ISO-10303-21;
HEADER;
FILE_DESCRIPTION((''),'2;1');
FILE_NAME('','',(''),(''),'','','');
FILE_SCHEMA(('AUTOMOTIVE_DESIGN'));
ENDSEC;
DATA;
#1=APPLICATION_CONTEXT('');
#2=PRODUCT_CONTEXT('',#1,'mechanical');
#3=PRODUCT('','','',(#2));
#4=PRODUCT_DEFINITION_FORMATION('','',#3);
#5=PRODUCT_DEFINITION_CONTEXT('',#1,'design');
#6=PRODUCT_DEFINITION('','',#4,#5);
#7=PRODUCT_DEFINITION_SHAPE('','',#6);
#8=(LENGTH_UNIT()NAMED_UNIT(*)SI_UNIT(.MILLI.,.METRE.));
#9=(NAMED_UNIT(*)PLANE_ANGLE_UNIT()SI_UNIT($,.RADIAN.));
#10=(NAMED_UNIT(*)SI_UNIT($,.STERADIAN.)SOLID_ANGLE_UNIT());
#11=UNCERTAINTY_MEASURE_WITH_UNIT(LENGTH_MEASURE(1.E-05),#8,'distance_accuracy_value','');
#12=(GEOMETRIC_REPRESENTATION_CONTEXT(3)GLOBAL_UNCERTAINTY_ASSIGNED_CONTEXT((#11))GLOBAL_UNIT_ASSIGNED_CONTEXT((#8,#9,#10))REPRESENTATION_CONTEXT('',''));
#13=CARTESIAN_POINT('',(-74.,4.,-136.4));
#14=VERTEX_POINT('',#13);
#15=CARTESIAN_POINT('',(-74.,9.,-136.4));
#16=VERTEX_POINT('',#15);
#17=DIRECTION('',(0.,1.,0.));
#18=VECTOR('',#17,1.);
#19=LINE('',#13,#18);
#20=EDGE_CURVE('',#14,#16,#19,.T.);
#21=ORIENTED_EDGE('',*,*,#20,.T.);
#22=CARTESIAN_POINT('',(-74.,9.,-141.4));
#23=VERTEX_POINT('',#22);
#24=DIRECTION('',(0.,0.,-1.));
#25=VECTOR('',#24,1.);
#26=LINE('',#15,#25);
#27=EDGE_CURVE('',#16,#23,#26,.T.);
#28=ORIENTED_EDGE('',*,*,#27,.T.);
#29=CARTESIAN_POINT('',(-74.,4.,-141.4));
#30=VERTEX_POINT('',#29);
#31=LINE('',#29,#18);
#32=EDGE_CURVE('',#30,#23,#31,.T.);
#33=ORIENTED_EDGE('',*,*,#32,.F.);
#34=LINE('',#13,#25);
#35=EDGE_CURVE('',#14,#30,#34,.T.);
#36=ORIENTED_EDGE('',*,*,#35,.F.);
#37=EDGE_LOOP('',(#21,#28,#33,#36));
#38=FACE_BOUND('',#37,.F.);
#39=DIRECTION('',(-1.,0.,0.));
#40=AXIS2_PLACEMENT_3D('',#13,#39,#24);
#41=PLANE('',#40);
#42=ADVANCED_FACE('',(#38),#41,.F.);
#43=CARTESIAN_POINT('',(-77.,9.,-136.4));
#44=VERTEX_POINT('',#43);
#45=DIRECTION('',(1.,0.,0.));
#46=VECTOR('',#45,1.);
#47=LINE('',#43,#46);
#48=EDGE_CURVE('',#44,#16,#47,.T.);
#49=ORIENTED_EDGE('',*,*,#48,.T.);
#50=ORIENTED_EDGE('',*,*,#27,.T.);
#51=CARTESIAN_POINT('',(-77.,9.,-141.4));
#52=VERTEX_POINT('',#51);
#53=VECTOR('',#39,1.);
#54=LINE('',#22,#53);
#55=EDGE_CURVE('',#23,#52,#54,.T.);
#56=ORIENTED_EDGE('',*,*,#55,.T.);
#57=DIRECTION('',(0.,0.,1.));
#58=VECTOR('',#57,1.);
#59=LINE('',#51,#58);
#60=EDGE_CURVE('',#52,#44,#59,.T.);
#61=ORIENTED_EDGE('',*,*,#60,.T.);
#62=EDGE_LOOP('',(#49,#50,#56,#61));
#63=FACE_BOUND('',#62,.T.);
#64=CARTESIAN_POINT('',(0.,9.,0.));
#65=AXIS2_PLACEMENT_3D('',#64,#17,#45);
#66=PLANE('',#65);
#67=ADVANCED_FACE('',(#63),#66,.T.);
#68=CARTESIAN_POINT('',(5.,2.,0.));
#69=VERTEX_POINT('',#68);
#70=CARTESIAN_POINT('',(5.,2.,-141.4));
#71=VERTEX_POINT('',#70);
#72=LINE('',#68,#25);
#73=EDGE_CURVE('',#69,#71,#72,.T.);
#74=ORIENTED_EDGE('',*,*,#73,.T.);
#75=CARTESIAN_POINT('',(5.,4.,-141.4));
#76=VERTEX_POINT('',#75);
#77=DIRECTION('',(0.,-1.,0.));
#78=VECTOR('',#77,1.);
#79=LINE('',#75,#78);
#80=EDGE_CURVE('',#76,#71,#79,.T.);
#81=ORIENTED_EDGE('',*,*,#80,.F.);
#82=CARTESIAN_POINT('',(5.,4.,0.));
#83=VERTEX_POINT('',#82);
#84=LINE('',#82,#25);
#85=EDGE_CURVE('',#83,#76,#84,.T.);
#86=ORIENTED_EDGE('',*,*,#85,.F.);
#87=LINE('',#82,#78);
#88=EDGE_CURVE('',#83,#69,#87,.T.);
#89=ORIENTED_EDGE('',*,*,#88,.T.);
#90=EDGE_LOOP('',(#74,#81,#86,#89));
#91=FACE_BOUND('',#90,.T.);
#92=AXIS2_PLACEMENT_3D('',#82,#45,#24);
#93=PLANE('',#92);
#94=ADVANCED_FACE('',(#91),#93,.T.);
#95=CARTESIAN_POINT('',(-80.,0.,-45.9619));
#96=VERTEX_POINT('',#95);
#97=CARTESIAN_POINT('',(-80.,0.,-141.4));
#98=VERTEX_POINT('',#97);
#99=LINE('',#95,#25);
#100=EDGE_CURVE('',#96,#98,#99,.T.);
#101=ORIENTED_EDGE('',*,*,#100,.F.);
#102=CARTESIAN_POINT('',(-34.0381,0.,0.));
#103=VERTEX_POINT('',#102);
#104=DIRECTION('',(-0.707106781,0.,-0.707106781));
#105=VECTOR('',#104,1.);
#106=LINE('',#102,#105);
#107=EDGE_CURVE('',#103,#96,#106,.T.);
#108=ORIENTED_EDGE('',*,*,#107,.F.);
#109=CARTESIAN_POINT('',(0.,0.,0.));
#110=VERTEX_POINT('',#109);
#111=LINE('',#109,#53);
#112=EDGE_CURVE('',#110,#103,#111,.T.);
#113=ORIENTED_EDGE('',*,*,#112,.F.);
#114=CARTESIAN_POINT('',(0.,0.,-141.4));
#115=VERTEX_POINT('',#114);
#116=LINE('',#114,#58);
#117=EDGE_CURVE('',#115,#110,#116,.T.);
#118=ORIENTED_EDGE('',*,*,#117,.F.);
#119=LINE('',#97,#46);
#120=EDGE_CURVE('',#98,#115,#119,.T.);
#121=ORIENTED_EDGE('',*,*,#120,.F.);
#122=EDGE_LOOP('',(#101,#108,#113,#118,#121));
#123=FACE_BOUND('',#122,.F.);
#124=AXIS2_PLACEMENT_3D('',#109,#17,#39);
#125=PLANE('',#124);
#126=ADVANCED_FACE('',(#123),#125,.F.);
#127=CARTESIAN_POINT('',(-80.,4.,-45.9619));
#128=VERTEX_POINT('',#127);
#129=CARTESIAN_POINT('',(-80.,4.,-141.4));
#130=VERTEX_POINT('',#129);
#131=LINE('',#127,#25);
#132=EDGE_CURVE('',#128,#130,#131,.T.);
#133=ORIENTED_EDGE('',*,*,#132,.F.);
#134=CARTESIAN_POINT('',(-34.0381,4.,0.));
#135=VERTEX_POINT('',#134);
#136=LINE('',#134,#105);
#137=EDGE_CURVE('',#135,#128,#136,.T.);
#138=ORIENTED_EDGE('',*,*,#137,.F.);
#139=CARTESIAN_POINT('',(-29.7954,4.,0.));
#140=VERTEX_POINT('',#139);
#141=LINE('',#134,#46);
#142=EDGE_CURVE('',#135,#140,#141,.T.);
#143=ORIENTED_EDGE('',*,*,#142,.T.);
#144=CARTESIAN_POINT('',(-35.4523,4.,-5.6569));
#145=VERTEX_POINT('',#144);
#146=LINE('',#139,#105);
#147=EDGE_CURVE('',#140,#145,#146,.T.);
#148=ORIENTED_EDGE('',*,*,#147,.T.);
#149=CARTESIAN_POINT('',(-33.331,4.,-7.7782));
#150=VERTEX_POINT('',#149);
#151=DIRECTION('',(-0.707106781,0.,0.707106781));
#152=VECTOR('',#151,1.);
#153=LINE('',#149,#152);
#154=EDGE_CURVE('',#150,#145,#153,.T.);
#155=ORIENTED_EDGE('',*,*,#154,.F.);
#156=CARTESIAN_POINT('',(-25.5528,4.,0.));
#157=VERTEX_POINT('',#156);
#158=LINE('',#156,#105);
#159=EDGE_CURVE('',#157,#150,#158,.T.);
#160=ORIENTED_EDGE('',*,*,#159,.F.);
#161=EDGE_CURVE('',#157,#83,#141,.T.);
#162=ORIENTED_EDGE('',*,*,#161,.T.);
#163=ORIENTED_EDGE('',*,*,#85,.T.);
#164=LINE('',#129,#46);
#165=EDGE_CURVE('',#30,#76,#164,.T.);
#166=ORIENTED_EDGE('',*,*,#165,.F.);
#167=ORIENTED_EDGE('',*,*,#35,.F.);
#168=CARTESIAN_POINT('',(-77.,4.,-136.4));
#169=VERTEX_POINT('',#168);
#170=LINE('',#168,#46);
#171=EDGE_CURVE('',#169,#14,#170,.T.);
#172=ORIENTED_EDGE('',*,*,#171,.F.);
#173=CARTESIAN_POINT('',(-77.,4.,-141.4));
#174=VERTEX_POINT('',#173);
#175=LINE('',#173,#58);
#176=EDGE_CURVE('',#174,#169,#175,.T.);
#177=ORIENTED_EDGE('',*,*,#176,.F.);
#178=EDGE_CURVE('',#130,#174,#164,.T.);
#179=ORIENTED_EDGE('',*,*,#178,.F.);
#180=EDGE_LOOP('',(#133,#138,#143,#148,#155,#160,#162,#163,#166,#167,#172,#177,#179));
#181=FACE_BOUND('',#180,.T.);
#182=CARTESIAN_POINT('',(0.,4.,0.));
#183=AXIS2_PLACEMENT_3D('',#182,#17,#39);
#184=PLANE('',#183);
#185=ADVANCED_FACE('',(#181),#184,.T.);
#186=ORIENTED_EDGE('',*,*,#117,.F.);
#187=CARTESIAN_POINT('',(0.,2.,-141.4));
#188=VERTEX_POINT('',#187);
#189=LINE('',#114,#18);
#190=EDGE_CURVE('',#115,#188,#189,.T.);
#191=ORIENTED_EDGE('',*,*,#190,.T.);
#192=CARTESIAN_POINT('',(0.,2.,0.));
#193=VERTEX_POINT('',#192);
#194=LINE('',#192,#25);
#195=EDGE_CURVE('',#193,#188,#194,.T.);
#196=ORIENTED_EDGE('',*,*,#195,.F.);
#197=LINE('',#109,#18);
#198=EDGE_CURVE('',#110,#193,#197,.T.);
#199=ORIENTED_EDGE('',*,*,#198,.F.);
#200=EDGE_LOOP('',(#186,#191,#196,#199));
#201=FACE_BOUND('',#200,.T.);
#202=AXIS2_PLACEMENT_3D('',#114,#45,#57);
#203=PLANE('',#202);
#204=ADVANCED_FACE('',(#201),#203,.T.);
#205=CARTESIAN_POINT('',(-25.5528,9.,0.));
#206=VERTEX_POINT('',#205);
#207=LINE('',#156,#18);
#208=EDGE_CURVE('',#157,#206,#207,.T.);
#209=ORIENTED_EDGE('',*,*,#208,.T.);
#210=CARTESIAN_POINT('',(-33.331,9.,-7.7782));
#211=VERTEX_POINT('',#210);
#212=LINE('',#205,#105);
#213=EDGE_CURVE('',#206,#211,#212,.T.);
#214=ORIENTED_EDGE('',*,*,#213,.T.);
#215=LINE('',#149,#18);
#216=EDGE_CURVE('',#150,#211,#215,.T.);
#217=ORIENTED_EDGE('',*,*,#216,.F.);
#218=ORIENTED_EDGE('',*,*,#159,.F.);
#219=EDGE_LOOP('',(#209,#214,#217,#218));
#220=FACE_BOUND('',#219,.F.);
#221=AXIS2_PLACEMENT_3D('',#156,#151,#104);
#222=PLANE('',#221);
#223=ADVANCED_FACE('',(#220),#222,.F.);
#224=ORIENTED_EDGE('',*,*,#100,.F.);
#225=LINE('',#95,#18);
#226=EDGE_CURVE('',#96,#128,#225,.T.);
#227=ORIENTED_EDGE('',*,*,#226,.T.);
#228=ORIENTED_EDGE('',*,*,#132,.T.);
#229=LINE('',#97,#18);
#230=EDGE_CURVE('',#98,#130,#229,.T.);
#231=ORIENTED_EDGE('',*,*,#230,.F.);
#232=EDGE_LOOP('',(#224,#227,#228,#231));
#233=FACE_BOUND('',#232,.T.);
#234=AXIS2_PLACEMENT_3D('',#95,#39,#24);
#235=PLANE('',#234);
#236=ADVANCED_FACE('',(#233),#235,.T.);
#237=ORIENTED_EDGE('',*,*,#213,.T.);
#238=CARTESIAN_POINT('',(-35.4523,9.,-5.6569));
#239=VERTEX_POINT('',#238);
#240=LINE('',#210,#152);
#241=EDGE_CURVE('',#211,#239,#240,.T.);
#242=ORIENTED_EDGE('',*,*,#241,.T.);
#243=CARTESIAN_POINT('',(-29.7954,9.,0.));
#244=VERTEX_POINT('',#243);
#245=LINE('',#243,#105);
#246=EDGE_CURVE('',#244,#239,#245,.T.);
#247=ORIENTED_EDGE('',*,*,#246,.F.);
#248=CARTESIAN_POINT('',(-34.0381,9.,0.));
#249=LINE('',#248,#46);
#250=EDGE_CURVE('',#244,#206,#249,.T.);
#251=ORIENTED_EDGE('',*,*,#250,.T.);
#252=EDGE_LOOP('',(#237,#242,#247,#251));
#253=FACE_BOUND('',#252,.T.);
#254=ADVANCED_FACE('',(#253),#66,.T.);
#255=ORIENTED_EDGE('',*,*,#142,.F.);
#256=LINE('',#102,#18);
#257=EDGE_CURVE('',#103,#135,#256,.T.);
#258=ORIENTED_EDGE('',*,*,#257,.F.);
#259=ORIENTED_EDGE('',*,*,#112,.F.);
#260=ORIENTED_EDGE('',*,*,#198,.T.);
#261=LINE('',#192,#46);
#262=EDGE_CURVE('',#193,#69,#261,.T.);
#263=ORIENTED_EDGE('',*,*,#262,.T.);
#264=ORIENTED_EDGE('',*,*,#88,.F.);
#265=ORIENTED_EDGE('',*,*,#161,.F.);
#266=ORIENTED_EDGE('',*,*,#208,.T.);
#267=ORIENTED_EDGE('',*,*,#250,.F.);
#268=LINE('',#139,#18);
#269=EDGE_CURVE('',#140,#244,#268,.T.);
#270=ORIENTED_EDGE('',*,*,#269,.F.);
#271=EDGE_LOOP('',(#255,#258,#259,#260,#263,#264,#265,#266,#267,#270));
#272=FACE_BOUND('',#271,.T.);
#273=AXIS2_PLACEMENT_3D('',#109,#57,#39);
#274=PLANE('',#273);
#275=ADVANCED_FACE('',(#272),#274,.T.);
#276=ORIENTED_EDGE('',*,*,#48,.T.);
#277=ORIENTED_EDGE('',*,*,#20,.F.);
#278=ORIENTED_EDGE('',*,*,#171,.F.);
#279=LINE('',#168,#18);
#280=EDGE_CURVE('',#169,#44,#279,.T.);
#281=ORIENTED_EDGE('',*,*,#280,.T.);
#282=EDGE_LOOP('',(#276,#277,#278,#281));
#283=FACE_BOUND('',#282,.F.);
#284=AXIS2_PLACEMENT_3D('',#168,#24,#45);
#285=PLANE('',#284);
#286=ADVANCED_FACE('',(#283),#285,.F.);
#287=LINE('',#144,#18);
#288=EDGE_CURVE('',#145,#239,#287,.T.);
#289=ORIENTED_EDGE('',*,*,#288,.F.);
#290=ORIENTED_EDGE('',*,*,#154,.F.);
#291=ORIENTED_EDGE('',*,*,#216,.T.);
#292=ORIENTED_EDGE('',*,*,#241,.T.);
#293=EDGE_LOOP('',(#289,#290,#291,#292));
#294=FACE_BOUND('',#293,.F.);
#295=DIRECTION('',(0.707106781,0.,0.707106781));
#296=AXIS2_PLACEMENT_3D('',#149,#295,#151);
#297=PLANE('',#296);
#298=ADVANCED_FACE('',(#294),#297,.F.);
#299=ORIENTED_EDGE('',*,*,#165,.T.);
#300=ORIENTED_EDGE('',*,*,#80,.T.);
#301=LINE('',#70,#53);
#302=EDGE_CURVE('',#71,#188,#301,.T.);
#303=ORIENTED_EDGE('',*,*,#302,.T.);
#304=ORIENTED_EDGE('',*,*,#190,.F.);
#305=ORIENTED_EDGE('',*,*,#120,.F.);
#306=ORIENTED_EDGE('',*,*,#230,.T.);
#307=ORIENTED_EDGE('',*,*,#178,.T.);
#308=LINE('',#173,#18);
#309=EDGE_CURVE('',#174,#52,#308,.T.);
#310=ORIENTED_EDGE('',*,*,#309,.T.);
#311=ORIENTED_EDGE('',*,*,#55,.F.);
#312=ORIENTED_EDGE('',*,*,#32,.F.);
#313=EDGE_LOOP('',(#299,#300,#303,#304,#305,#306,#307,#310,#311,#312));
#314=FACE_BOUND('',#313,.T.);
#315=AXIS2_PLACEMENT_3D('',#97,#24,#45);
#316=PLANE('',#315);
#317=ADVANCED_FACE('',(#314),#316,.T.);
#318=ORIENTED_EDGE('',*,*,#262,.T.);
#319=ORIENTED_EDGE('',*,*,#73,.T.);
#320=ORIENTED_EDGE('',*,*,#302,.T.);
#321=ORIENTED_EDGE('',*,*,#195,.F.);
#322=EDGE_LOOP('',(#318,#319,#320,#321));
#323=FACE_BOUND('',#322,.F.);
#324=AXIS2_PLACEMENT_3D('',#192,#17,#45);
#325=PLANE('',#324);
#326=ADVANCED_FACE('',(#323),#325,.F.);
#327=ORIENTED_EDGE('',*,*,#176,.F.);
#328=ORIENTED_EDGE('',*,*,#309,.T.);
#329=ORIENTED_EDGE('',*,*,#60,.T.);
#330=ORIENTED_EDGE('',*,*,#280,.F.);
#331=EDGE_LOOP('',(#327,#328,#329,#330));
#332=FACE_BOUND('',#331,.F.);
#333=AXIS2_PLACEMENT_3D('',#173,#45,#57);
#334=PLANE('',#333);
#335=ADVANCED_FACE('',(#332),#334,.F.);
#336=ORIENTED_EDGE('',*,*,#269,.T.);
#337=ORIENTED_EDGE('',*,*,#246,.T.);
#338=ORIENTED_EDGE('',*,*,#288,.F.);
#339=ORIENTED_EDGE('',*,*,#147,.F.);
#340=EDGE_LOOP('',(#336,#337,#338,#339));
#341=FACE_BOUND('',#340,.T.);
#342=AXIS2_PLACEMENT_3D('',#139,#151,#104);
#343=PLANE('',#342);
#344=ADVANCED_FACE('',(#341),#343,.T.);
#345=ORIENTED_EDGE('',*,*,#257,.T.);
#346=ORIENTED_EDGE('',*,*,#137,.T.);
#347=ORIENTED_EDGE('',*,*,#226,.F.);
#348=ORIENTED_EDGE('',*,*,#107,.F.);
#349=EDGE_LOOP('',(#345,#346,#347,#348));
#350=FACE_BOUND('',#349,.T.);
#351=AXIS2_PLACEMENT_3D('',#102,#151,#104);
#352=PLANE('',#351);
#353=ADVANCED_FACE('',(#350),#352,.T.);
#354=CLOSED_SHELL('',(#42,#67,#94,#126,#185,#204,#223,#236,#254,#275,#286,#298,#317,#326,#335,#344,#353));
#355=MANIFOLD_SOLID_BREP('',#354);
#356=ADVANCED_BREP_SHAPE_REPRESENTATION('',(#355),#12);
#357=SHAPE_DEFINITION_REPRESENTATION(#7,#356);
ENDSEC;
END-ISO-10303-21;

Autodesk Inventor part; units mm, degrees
ref_plane "YZ Plane" through (0, 0, 0) normal (1, 0, 0) x (0, 1, 0)
ref_plane "XZ Plane" through (0, 0, 0) normal (0, 1, 0) x (-1, 0, 0)
ref_plane "XY Plane" through (0, 0, 0) normal (0, 0, 1) x (1, 0, 0)
sketch "Sketch1" plane through (0, 0, 0) normal (0, 1, 0) x (-1, 0, 0)
  line L0 (80, -141.4) -> (0, -141.4)
  line L1 (0, -141.4) -> (0, 0)
  line L2 (0, 0) -> (34.0381, 0)
  line L3 (34.0381, 0) -> (80, -45.9619)
  line L4 (80, -45.9619) -> (80, -141.4)
  dimension "d0" = 80
  dimension "d1" = 141.4
  dimension "d7" = 135
  dimension "d8" = 65
extrude "Extrusion1" add sketch "Sketch1" along normal blind 4
sketch "Sketch2" plane through (0, 4, 0) normal (0, 1, 0) x (1, 0, 0)
  line L0 (0, 0) -> (0, 141.4) projected
  line L1 (0, 0) -> (5, 0)
  line L2 (5, 0) -> (5, 141.4)
  line L3 (5, 141.4) -> (0, 141.4)
  line L4 (0, 141.4) -> (0, 0)
  point P0 (0, 141.4)
  dimension "d4" = 5
extrude "Extrusion2" add sketch "Sketch2" against normal blind 2
sketch "Sketch3" plane through (0, 4, 0) normal (0, 1, 0) x (1, 0, 0)
  line L0 (-34.0381, 0) -> (5, 0) projected
  line L1 (-29.7954, 0) -> (-35.4523, 5.6569)
  line L2 (-80, 45.9619) -> (-34.0381, 0) projected
  line L3 (-29.7954, 0) -> (-25.5528, 0)
  line L4 (-25.5528, 0) -> (-33.331, 7.7782)
  line L5 (-33.331, 7.7782) -> (-35.4523, 5.6569)
  line L6 (-77, 136.4) -> (-74, 136.4)
  line L7 (-74, 136.4) -> (-74, 141.4)
  line L8 (-74, 141.4) -> (-77, 141.4)
  line L9 (-77, 141.4) -> (-77, 136.4)
  line L10 (-80, 141.4) -> (-80, 45.9619) projected
  line L11 (5, 141.4) -> (-80, 141.4) projected
  point P0 (0, 0)
  dimension "d9" = 8
  dimension "d10" = 3
  dimension "d15" = 3
  dimension "d16" = 5
  dimension "d17" = 3
extrude "Extrusion3" add sketch "Sketch3" along normal blind 5
properties part number "side_wall"
